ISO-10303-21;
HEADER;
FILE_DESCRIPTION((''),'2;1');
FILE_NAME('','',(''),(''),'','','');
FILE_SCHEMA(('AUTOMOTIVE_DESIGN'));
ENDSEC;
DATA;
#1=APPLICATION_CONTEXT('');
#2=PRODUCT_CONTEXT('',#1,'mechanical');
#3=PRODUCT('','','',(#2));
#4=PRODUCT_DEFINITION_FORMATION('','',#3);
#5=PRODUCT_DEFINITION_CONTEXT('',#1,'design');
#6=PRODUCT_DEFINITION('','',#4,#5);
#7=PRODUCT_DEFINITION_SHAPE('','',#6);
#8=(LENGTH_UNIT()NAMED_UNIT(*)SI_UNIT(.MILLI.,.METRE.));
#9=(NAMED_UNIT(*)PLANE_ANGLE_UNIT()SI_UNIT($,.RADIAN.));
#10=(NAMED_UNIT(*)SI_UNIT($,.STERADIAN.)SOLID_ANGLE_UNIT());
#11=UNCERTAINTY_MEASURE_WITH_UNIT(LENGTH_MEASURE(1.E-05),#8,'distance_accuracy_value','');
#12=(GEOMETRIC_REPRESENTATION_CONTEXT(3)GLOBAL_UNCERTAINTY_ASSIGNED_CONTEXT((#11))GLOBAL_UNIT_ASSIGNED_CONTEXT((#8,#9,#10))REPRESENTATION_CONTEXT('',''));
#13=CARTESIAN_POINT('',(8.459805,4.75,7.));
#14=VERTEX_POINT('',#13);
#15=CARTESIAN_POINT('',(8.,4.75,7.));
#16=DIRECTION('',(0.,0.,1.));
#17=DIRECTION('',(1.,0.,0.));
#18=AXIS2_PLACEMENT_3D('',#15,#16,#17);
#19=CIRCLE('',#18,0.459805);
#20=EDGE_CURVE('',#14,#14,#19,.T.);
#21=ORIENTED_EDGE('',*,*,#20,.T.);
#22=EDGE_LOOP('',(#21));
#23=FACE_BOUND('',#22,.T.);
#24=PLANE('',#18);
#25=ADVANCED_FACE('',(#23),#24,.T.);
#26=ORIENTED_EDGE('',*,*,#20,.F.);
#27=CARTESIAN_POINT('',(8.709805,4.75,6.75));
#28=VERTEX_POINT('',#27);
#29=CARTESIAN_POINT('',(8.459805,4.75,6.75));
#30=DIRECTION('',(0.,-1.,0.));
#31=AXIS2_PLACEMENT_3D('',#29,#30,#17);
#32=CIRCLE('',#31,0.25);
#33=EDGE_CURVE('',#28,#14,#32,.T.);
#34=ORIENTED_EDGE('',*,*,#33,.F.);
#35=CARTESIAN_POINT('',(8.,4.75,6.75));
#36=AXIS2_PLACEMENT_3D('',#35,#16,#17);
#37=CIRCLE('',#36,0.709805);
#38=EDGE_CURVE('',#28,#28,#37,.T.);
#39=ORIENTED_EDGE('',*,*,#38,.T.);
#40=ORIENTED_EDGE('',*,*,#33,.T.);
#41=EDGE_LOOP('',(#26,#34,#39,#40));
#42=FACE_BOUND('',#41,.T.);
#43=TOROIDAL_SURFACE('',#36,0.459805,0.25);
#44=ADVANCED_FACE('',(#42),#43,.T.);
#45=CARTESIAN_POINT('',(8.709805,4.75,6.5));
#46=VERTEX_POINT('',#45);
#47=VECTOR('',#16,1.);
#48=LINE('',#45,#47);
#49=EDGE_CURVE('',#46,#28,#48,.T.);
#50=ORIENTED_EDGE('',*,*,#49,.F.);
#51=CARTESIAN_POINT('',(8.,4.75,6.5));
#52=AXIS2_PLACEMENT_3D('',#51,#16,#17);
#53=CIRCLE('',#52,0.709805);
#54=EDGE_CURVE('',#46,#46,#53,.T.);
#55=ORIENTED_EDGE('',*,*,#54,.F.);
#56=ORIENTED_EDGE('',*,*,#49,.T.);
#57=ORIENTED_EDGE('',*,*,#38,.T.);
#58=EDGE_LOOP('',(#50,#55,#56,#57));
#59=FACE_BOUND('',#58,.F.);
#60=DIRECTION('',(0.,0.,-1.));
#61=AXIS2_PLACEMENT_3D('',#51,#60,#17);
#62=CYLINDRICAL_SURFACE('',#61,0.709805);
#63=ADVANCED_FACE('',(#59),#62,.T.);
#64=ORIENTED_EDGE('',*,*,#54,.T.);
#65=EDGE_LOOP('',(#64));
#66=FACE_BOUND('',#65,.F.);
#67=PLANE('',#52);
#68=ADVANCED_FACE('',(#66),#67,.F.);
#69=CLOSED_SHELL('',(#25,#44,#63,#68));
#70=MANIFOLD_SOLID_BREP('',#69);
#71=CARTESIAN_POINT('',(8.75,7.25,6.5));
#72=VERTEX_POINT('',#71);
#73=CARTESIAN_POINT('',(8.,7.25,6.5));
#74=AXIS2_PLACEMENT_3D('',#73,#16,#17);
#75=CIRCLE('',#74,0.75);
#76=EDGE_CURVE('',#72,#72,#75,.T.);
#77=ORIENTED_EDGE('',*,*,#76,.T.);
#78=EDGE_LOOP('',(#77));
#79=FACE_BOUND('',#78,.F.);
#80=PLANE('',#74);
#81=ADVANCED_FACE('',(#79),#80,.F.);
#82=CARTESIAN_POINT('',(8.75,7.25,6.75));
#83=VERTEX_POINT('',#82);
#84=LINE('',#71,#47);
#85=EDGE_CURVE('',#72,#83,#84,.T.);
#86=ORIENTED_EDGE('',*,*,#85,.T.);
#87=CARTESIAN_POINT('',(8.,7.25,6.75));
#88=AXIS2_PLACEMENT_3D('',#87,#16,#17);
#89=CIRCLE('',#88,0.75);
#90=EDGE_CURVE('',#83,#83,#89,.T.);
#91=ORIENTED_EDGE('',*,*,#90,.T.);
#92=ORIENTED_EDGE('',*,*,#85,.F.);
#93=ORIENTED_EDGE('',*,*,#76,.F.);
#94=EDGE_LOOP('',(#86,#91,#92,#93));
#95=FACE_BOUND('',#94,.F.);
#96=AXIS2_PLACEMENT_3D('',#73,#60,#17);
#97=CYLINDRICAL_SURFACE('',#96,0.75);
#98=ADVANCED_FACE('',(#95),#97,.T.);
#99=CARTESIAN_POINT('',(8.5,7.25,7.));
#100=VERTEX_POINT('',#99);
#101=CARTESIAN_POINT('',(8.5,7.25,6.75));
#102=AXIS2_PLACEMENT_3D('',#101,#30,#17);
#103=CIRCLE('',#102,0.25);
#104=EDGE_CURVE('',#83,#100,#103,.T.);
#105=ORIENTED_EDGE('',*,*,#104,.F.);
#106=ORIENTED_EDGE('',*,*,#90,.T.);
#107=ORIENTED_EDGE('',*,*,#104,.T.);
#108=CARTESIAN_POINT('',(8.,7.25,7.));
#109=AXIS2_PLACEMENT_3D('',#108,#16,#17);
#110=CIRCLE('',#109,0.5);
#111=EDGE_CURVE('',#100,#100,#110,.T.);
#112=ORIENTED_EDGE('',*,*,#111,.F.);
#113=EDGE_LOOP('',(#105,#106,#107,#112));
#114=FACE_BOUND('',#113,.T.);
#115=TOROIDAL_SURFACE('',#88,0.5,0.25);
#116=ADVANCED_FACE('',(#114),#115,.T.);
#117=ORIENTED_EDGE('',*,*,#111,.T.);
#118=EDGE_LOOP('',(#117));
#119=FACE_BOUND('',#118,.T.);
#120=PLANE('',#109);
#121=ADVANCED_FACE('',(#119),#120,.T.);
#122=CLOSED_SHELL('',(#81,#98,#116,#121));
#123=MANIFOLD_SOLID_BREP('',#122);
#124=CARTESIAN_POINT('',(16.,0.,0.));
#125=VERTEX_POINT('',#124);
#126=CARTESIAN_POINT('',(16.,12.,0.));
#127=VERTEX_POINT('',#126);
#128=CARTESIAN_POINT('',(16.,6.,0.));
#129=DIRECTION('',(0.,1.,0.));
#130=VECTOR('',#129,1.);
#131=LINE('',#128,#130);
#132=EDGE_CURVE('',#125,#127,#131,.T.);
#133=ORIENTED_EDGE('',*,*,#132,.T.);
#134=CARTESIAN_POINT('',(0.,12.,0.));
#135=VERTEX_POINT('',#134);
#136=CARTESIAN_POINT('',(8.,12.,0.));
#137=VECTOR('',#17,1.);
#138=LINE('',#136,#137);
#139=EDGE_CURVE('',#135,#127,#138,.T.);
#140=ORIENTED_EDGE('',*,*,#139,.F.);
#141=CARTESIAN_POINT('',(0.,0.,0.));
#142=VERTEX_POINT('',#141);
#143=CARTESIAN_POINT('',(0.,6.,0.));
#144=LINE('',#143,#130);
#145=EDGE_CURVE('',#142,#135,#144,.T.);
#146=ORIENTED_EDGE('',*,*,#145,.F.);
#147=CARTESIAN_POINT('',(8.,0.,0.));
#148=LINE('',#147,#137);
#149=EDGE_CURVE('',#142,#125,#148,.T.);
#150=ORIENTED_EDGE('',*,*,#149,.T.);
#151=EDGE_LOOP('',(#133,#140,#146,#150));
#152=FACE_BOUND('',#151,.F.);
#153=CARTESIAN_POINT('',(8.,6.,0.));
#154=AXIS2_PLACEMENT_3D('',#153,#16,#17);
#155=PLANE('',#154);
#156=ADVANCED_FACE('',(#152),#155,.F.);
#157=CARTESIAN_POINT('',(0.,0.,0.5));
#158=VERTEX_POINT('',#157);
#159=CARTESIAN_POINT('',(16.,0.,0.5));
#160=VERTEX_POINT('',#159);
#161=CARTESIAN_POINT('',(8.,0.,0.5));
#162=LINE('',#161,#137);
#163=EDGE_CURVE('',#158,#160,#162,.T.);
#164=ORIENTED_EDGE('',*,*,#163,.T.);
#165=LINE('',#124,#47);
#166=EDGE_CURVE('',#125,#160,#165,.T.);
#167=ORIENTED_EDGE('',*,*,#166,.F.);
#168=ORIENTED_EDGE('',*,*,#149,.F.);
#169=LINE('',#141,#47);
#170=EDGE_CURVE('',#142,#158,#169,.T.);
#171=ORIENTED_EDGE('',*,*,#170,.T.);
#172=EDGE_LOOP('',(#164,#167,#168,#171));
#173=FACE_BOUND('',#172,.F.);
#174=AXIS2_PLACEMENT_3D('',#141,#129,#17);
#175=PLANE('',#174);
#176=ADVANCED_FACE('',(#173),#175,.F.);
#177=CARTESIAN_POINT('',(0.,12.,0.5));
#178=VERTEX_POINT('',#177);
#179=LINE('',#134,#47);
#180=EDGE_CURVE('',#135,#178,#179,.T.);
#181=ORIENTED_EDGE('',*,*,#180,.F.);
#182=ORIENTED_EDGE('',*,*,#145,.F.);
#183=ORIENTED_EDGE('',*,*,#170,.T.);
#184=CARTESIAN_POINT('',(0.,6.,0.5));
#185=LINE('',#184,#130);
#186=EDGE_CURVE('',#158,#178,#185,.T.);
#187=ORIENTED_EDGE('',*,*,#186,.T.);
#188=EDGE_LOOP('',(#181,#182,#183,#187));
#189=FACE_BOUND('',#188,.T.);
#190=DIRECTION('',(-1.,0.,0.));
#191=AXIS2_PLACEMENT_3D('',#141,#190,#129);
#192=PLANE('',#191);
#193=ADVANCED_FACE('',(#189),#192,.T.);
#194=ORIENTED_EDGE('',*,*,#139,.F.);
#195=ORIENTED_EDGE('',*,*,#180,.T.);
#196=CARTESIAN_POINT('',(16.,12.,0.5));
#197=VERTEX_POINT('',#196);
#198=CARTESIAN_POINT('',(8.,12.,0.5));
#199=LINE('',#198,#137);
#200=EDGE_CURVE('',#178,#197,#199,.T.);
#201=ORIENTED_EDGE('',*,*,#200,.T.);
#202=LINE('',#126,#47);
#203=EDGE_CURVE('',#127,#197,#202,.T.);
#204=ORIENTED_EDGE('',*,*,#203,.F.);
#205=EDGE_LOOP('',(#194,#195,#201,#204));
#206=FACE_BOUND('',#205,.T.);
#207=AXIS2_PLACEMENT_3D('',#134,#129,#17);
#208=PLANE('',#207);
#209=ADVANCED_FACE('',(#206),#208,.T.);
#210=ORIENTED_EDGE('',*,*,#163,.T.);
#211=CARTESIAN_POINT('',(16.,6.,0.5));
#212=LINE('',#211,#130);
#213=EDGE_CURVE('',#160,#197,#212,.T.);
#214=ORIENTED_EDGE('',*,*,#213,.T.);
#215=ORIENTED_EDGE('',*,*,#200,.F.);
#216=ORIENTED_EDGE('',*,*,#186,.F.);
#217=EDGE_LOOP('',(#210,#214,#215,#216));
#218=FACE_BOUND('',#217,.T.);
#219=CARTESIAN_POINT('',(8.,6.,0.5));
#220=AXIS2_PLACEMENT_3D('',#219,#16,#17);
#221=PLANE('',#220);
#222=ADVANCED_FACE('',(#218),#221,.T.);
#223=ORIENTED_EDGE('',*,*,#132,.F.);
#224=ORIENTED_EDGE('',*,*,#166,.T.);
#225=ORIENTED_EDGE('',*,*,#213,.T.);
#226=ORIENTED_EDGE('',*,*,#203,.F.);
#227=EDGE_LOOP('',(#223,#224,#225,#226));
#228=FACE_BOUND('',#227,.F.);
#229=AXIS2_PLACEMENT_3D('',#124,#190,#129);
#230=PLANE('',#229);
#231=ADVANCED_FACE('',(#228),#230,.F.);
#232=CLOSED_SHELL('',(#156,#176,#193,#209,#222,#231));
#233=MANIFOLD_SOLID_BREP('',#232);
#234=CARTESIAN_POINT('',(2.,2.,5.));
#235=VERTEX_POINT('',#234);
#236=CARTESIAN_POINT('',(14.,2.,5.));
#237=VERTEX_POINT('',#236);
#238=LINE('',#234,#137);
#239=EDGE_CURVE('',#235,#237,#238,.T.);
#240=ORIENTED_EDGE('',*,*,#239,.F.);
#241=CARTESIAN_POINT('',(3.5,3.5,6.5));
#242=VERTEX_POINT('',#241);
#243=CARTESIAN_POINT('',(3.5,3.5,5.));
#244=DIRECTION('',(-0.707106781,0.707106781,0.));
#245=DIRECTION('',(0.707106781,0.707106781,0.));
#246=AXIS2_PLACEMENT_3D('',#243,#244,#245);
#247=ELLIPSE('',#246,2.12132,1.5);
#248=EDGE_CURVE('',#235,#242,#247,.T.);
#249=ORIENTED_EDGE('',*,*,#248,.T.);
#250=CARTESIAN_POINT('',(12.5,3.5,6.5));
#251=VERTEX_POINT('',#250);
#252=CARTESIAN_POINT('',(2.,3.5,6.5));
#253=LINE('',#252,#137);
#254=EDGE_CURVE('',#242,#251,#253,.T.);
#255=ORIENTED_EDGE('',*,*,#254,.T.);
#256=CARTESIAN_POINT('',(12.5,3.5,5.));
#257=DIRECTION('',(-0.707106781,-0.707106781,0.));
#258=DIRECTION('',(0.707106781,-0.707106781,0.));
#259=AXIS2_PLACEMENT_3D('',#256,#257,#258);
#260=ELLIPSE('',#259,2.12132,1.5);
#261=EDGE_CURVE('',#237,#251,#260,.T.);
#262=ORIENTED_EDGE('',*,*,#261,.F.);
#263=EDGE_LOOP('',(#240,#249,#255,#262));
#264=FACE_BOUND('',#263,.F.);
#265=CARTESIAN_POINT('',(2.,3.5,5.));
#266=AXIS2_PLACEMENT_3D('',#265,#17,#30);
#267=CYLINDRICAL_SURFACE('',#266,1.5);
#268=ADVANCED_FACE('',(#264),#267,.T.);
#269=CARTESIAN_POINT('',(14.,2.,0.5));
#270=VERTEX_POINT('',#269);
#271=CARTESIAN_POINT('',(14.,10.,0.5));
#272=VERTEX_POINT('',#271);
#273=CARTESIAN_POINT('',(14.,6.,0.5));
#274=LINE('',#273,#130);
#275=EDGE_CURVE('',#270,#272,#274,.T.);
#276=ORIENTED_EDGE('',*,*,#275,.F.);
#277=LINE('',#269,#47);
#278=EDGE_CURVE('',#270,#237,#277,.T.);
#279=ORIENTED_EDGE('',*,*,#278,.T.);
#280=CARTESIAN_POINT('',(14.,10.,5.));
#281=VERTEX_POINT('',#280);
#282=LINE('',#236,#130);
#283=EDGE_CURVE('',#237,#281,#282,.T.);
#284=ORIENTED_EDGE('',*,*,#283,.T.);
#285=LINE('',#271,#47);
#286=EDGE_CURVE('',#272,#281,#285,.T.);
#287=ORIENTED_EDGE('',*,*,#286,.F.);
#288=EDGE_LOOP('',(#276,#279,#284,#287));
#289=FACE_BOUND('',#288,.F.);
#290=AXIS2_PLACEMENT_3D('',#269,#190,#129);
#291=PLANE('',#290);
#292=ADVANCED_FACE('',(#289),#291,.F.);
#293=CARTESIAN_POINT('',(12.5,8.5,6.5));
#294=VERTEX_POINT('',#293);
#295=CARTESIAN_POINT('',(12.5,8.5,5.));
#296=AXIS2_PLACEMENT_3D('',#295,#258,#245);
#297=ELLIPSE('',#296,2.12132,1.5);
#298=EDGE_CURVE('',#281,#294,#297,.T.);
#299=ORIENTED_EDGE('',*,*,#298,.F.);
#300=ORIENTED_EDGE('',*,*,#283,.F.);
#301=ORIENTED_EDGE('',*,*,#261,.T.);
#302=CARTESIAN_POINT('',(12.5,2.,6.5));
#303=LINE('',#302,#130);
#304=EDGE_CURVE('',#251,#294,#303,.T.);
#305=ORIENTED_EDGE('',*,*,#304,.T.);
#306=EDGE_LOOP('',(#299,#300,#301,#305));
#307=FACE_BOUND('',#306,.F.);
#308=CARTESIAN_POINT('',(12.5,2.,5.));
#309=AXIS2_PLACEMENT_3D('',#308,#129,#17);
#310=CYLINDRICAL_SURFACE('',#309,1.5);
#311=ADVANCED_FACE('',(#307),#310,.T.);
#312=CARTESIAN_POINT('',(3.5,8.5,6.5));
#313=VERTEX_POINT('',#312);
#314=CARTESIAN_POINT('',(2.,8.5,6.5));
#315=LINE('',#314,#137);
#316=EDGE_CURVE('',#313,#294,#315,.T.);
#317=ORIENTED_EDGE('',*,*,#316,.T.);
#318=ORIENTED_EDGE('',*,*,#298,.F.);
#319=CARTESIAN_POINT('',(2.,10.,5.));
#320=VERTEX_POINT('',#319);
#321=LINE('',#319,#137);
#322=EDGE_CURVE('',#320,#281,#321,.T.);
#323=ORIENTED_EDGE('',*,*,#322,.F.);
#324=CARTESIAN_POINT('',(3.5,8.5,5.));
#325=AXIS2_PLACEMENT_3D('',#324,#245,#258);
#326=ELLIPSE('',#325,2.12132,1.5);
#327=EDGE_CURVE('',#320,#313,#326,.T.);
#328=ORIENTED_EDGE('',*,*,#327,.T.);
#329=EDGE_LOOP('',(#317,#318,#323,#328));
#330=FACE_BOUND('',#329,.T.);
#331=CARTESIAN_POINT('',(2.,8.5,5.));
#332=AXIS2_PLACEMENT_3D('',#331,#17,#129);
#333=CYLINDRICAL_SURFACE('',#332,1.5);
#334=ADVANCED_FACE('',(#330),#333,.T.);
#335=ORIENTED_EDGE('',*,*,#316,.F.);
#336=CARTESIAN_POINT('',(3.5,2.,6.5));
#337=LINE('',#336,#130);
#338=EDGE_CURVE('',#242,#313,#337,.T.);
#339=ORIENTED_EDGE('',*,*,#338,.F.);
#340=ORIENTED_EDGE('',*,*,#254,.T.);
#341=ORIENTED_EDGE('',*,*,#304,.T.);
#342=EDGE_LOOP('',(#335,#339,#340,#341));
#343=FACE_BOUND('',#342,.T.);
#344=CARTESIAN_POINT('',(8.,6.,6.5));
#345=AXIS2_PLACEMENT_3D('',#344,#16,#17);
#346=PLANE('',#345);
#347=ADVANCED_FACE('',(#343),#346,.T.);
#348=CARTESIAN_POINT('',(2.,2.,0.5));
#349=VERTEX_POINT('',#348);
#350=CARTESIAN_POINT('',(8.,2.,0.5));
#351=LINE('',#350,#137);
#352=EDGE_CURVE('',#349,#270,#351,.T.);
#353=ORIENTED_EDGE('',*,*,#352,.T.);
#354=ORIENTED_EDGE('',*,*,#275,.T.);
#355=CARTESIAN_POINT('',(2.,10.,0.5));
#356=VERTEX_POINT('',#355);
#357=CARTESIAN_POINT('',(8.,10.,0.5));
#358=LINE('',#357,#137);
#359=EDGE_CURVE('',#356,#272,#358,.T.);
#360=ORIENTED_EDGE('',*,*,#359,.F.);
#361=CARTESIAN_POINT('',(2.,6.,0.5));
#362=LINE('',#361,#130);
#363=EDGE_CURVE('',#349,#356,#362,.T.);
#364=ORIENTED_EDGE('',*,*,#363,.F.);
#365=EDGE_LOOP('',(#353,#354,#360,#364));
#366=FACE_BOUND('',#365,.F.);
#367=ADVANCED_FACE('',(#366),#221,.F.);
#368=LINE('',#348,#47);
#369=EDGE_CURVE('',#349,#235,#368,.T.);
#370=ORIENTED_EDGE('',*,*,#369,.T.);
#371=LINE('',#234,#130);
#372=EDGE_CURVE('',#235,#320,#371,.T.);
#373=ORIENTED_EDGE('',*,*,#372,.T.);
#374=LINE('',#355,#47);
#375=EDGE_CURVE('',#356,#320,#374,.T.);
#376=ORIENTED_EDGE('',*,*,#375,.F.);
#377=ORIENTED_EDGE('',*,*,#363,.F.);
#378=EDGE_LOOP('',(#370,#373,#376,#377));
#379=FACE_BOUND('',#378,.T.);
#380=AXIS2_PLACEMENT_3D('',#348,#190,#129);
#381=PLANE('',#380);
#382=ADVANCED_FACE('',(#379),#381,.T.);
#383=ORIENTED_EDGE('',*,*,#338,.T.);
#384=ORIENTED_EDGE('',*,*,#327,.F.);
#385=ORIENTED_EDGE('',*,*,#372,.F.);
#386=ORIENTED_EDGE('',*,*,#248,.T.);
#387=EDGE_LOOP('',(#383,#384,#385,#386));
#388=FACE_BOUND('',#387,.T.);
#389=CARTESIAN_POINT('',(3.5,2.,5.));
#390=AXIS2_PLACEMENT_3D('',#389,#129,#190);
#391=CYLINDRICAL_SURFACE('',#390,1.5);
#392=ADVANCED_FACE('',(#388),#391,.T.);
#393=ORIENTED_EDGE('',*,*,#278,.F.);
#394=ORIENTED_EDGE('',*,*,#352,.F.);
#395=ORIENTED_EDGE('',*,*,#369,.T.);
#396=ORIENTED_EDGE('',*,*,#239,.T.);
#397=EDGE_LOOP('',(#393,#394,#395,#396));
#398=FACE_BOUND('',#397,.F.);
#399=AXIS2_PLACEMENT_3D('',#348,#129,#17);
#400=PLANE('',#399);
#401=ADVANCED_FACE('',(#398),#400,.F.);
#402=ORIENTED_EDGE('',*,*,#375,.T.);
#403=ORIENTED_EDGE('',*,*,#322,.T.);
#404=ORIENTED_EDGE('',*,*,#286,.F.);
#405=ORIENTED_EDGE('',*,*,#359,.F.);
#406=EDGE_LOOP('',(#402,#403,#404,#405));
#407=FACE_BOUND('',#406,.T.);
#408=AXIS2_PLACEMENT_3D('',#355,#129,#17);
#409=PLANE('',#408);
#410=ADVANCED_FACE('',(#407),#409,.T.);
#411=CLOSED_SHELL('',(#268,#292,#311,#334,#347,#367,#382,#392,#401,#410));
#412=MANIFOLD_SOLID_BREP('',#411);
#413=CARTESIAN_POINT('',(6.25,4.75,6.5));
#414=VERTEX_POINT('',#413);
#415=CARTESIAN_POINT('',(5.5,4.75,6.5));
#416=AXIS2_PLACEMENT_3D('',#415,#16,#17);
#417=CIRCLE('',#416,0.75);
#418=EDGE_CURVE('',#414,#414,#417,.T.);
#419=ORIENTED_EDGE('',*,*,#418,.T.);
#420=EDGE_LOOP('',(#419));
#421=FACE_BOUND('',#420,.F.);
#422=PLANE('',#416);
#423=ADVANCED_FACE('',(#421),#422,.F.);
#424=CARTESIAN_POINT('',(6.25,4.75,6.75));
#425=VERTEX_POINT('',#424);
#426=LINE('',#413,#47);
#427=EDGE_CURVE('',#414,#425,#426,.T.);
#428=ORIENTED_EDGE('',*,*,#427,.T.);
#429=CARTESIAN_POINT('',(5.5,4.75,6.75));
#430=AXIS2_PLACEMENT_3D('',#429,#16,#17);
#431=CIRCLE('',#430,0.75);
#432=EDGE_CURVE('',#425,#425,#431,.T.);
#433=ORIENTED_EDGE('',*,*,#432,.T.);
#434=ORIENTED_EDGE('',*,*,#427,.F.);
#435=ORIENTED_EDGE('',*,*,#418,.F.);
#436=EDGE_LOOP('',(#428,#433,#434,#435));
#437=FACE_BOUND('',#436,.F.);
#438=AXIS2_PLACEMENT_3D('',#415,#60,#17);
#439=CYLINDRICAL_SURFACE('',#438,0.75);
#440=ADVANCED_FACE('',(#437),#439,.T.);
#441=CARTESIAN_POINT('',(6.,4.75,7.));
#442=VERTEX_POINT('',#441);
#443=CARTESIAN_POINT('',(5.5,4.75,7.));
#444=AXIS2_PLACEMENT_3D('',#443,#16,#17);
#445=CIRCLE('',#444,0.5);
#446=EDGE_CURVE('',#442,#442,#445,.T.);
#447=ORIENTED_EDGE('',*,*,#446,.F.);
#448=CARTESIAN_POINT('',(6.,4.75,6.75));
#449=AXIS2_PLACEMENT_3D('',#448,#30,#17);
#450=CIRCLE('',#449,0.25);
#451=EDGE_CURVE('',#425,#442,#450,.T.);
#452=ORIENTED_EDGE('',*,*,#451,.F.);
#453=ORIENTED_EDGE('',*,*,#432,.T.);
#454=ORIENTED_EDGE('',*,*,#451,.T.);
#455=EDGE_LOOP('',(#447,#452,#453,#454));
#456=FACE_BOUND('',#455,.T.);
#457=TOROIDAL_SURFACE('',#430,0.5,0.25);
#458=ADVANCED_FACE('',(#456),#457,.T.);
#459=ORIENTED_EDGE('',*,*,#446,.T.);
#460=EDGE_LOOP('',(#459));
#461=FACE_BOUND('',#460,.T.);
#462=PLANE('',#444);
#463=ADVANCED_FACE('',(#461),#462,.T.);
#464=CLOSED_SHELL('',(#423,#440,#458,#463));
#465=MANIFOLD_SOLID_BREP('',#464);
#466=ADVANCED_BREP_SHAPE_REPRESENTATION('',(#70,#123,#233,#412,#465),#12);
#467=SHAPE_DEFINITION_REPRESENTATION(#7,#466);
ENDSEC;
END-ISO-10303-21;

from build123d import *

# Parameters (mm, degrees)
SKETCH_W     = 16
SKETCH_H     = 12
PAD_DEPTH    = 0.5
SKETCH001_W  = 12
SKETCH001_H  = 8
PAD001_DEPTH = 6
FILLET_R     = 1.5
SKETCH002_R  = 0.75
PAD002_DEPTH = 0.5
FILLET001_R  = 0.25
SKETCH003_R  = 0.709805
PAD003_DEPTH = 0.5
FILLET002_R  = 0.25
SKETCH005_R  = 0.75
PAD005_DEPTH = 0.5
FILLET004_R  = 0.25


with BuildPart() as pad:
    # Sketch → Pad (new body)
    with BuildSketch(Plane.XY):
        with Locations((8, 6)):
            Rectangle(SKETCH_W, SKETCH_H)
    extrude(amount=PAD_DEPTH)


with BuildPart() as fillet_body:
    # Sketch001 → Pad001 (new body)
    with BuildSketch(Plane.XY.offset(0.5)):
        with Locations((8, 6)):
            Rectangle(SKETCH001_W, SKETCH001_H)
    extrude(amount=PAD001_DEPTH)

    # Fillet
    fillet_edges = [fillet_body.edges().sort_by_distance(p)[0] for p in [
        (8, 2, 6.5),
        (14, 6, 6.5),
        (8, 10, 6.5),
        (2, 6, 6.5),
    ]]
    fillet(fillet_edges, radius=FILLET_R)


with BuildPart() as fillet001:
    # Sketch002 → Pad002 (new body)
    with BuildSketch(Plane.XY.offset(6.5)):
        with Locations((5.5, 4.75)):
            Circle(SKETCH002_R)
    extrude(amount=PAD002_DEPTH)

    # Fillet001
    fillet001_edges = [fillet001.edges().sort_by_distance(p)[0] for p in [
        (4.75, 4.75, 7),
    ]]
    fillet(fillet001_edges, radius=FILLET001_R)


with BuildPart() as fillet002:
    # Sketch003 → Pad003 (new body)
    with BuildSketch(Plane.XY.offset(6.5)):
        with Locations((8, 4.75)):
            Circle(SKETCH003_R)
    extrude(amount=PAD003_DEPTH)

    # Fillet002
    fillet002_edges = [fillet002.edges().sort_by_distance(p)[0] for p in [
        (7.290195, 4.75, 7),
    ]]
    fillet(fillet002_edges, radius=FILLET002_R)


with BuildPart() as fillet004:
    # Sketch005 → Pad005 (new body)
    with BuildSketch(Plane.XY.offset(6.5)):
        with Locations((8, 7.25)):
            Circle(SKETCH005_R)
    extrude(amount=PAD005_DEPTH)

    # Fillet004
    fillet004_edges = [fillet004.edges().sort_by_distance(p)[0] for p in [
        (7.25, 7.25, 7),
    ]]
    fillet(fillet004_edges, radius=FILLET004_R)


solid = Compound([pad.part, fillet_body.part, fillet001.part, fillet002.part, fillet004.part])
